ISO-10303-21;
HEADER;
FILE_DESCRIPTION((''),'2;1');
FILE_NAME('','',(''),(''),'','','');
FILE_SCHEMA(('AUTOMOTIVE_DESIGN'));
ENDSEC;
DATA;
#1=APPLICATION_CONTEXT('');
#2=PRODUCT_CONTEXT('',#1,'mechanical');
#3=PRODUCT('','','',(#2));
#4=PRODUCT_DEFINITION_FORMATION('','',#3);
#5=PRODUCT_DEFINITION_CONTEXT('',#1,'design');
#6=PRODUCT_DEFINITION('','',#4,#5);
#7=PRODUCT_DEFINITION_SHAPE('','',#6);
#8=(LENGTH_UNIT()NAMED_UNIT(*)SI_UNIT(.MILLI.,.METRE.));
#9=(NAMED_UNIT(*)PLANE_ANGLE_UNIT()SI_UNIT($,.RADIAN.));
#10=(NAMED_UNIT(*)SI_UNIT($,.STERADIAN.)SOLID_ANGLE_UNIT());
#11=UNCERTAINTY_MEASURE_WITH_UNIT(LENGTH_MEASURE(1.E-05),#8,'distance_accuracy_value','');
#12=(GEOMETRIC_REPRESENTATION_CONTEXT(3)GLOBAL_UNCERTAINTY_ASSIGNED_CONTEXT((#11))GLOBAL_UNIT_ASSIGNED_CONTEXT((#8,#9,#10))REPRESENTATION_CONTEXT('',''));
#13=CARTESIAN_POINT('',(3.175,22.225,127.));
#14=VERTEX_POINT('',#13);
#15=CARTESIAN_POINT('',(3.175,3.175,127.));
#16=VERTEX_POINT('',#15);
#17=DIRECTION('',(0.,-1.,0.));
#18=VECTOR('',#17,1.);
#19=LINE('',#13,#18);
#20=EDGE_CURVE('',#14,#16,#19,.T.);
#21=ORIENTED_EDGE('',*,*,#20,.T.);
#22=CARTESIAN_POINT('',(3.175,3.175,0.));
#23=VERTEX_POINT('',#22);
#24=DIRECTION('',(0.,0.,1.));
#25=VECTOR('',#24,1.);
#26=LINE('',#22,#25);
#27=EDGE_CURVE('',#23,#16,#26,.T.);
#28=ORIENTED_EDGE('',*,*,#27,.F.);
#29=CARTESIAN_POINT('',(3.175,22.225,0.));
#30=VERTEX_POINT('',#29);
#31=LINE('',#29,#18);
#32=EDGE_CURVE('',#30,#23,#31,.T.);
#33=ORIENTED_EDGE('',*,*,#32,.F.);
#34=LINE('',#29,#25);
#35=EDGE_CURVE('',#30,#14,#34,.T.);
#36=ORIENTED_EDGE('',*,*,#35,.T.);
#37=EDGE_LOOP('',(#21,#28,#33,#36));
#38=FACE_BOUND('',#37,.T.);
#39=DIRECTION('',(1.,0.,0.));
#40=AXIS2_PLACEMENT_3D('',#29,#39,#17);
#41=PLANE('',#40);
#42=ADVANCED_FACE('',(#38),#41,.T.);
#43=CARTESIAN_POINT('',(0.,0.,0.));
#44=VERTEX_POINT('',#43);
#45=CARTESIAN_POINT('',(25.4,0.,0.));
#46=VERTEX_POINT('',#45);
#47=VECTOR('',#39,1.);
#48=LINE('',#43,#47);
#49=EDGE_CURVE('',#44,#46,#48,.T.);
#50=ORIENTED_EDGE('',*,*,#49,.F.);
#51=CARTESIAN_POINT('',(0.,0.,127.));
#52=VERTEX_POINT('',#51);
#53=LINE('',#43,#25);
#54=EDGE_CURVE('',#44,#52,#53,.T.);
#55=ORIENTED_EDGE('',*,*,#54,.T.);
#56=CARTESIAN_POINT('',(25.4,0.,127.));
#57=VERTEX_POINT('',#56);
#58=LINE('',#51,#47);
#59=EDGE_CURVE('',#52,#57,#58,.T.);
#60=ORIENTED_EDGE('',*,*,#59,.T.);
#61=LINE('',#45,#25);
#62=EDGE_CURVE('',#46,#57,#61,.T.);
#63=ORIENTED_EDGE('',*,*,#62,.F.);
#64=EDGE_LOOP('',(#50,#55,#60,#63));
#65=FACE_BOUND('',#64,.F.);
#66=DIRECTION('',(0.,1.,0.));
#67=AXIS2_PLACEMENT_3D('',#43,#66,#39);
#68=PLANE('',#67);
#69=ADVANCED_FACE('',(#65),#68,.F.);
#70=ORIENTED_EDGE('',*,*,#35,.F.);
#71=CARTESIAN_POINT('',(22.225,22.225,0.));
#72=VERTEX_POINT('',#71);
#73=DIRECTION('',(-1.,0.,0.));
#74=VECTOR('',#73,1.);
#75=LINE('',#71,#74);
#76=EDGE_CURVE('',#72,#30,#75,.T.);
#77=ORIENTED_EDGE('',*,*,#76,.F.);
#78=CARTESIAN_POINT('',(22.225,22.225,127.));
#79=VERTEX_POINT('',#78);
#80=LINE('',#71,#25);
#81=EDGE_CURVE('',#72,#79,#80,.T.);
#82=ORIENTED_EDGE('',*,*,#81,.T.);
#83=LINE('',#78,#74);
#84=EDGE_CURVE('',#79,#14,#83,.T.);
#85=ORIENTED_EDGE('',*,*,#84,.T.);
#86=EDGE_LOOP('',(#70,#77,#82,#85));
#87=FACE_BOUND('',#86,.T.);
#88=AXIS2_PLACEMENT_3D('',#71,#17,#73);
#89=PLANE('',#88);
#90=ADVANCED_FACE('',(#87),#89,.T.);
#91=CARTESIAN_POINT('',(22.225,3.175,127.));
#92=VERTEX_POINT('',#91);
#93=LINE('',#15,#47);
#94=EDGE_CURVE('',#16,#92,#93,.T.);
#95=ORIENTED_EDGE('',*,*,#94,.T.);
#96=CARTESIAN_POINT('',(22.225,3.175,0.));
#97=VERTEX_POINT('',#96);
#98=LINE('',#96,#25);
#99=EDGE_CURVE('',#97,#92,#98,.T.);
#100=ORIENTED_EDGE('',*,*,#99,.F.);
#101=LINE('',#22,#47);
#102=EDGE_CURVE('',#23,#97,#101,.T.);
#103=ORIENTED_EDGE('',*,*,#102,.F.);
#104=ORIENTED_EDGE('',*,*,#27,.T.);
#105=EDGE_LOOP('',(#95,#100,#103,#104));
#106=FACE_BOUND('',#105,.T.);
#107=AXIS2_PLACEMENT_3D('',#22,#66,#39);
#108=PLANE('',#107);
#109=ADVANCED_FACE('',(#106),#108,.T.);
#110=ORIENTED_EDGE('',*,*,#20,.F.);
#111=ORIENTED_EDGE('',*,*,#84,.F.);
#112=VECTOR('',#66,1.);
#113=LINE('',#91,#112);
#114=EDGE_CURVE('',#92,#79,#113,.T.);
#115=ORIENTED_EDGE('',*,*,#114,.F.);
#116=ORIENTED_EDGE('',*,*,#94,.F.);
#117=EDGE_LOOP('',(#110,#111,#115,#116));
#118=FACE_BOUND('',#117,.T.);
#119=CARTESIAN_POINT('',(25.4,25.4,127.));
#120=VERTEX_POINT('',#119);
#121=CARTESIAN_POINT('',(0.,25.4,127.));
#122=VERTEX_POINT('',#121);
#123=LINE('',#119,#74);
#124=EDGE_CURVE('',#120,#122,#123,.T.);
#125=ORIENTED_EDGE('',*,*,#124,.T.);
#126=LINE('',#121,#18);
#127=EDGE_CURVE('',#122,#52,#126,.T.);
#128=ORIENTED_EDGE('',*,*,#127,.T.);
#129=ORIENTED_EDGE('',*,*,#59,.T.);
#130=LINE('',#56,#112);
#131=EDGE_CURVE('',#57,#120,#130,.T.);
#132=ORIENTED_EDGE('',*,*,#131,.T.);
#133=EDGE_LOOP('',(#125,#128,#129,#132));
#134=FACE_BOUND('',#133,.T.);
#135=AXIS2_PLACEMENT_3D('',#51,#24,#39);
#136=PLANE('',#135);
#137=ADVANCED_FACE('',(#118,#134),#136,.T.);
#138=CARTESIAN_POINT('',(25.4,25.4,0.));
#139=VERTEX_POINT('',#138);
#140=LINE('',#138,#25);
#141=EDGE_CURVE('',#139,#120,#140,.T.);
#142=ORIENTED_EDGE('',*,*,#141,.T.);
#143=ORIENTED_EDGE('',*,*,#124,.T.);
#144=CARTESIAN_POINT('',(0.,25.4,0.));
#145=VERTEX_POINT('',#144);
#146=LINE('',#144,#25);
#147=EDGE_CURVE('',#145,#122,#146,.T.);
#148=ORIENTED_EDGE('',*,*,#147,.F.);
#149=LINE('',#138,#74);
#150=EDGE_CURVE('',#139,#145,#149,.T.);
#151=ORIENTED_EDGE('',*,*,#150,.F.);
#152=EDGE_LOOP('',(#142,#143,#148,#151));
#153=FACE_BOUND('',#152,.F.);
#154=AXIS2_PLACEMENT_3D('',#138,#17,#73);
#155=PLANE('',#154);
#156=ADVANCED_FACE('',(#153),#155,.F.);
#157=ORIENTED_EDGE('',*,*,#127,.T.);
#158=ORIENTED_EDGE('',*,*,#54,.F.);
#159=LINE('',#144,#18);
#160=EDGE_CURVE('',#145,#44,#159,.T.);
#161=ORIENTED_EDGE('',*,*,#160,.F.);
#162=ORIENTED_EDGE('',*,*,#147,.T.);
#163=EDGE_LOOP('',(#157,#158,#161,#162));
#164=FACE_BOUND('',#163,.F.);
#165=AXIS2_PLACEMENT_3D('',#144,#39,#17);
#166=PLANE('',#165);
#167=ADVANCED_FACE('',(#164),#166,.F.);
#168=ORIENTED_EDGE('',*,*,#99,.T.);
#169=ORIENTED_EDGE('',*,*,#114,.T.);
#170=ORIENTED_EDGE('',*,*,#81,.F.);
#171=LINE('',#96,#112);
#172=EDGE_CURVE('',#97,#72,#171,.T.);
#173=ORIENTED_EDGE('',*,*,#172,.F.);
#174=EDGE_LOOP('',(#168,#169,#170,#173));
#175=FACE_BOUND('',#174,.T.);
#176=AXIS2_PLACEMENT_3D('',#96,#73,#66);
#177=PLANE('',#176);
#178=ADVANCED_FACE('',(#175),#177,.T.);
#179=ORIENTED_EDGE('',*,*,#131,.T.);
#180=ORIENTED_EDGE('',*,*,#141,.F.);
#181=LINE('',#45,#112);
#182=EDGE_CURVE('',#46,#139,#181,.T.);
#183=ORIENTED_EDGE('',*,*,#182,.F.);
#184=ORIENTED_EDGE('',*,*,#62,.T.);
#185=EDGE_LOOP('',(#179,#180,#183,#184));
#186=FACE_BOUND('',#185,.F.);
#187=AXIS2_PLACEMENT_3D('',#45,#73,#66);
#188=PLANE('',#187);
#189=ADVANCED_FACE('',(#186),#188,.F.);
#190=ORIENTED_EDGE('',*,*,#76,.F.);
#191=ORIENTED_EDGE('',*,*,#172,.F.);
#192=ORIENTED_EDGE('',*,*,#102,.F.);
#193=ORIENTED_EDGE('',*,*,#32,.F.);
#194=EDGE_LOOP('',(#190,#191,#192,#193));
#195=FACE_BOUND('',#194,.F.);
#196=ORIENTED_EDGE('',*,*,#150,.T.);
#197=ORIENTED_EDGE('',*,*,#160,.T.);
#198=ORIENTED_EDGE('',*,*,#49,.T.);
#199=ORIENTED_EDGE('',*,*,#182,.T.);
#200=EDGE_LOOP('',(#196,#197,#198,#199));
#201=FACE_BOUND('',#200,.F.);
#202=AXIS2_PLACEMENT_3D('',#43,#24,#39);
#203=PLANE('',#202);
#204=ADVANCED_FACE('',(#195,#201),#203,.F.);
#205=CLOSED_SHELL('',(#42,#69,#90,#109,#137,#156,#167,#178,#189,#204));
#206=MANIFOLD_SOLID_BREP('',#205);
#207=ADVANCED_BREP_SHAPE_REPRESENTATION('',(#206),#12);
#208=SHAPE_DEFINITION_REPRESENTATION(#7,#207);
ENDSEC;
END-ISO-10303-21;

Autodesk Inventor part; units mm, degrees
ref_plane "YZ Plane" through (0, 0, 0) normal (1, 0, 0) x (0, 1, 0)
ref_plane "XZ Plane" through (0, 0, 0) normal (0, 1, 0) x (-1, 0, 0)
ref_plane "XY Plane" through (0, 0, 0) normal (0, 0, 1) x (1, 0, 0)
sketch "Sketch1" plane through (0, 0, 0) normal (0, 0, 1) x (1, 0, 0)
  line L0 (0, 0) -> (25.4, 0)
  line L1 (25.4, 0) -> (25.4, 25.4)
  line L2 (25.4, 25.4) -> (0, 25.4)
  line L3 (0, 25.4) -> (0, 0)
  line L4 (3.175, 3.175) -> (22.225, 3.175)
  line L5 (22.225, 3.175) -> (22.225, 22.225)
  line L6 (22.225, 22.225) -> (3.175, 22.225)
  line L7 (3.175, 22.225) -> (3.175, 3.175)
  dimension "d0" = 3.175
  dimension "d1" = 3.175
  dimension "d2" = 3.175
  dimension "d3" = 3.175
  dimension "d4" = 25.4
  dimension "d5" = 25.4
extrude "Extrusion1" add sketch "Sketch1" along normal blind 127
equation "\"d1\" = d0"
equation "\"d2\" = d1"
equation "\"d3\" = d2"
properties part number "apendage vertical arm"
